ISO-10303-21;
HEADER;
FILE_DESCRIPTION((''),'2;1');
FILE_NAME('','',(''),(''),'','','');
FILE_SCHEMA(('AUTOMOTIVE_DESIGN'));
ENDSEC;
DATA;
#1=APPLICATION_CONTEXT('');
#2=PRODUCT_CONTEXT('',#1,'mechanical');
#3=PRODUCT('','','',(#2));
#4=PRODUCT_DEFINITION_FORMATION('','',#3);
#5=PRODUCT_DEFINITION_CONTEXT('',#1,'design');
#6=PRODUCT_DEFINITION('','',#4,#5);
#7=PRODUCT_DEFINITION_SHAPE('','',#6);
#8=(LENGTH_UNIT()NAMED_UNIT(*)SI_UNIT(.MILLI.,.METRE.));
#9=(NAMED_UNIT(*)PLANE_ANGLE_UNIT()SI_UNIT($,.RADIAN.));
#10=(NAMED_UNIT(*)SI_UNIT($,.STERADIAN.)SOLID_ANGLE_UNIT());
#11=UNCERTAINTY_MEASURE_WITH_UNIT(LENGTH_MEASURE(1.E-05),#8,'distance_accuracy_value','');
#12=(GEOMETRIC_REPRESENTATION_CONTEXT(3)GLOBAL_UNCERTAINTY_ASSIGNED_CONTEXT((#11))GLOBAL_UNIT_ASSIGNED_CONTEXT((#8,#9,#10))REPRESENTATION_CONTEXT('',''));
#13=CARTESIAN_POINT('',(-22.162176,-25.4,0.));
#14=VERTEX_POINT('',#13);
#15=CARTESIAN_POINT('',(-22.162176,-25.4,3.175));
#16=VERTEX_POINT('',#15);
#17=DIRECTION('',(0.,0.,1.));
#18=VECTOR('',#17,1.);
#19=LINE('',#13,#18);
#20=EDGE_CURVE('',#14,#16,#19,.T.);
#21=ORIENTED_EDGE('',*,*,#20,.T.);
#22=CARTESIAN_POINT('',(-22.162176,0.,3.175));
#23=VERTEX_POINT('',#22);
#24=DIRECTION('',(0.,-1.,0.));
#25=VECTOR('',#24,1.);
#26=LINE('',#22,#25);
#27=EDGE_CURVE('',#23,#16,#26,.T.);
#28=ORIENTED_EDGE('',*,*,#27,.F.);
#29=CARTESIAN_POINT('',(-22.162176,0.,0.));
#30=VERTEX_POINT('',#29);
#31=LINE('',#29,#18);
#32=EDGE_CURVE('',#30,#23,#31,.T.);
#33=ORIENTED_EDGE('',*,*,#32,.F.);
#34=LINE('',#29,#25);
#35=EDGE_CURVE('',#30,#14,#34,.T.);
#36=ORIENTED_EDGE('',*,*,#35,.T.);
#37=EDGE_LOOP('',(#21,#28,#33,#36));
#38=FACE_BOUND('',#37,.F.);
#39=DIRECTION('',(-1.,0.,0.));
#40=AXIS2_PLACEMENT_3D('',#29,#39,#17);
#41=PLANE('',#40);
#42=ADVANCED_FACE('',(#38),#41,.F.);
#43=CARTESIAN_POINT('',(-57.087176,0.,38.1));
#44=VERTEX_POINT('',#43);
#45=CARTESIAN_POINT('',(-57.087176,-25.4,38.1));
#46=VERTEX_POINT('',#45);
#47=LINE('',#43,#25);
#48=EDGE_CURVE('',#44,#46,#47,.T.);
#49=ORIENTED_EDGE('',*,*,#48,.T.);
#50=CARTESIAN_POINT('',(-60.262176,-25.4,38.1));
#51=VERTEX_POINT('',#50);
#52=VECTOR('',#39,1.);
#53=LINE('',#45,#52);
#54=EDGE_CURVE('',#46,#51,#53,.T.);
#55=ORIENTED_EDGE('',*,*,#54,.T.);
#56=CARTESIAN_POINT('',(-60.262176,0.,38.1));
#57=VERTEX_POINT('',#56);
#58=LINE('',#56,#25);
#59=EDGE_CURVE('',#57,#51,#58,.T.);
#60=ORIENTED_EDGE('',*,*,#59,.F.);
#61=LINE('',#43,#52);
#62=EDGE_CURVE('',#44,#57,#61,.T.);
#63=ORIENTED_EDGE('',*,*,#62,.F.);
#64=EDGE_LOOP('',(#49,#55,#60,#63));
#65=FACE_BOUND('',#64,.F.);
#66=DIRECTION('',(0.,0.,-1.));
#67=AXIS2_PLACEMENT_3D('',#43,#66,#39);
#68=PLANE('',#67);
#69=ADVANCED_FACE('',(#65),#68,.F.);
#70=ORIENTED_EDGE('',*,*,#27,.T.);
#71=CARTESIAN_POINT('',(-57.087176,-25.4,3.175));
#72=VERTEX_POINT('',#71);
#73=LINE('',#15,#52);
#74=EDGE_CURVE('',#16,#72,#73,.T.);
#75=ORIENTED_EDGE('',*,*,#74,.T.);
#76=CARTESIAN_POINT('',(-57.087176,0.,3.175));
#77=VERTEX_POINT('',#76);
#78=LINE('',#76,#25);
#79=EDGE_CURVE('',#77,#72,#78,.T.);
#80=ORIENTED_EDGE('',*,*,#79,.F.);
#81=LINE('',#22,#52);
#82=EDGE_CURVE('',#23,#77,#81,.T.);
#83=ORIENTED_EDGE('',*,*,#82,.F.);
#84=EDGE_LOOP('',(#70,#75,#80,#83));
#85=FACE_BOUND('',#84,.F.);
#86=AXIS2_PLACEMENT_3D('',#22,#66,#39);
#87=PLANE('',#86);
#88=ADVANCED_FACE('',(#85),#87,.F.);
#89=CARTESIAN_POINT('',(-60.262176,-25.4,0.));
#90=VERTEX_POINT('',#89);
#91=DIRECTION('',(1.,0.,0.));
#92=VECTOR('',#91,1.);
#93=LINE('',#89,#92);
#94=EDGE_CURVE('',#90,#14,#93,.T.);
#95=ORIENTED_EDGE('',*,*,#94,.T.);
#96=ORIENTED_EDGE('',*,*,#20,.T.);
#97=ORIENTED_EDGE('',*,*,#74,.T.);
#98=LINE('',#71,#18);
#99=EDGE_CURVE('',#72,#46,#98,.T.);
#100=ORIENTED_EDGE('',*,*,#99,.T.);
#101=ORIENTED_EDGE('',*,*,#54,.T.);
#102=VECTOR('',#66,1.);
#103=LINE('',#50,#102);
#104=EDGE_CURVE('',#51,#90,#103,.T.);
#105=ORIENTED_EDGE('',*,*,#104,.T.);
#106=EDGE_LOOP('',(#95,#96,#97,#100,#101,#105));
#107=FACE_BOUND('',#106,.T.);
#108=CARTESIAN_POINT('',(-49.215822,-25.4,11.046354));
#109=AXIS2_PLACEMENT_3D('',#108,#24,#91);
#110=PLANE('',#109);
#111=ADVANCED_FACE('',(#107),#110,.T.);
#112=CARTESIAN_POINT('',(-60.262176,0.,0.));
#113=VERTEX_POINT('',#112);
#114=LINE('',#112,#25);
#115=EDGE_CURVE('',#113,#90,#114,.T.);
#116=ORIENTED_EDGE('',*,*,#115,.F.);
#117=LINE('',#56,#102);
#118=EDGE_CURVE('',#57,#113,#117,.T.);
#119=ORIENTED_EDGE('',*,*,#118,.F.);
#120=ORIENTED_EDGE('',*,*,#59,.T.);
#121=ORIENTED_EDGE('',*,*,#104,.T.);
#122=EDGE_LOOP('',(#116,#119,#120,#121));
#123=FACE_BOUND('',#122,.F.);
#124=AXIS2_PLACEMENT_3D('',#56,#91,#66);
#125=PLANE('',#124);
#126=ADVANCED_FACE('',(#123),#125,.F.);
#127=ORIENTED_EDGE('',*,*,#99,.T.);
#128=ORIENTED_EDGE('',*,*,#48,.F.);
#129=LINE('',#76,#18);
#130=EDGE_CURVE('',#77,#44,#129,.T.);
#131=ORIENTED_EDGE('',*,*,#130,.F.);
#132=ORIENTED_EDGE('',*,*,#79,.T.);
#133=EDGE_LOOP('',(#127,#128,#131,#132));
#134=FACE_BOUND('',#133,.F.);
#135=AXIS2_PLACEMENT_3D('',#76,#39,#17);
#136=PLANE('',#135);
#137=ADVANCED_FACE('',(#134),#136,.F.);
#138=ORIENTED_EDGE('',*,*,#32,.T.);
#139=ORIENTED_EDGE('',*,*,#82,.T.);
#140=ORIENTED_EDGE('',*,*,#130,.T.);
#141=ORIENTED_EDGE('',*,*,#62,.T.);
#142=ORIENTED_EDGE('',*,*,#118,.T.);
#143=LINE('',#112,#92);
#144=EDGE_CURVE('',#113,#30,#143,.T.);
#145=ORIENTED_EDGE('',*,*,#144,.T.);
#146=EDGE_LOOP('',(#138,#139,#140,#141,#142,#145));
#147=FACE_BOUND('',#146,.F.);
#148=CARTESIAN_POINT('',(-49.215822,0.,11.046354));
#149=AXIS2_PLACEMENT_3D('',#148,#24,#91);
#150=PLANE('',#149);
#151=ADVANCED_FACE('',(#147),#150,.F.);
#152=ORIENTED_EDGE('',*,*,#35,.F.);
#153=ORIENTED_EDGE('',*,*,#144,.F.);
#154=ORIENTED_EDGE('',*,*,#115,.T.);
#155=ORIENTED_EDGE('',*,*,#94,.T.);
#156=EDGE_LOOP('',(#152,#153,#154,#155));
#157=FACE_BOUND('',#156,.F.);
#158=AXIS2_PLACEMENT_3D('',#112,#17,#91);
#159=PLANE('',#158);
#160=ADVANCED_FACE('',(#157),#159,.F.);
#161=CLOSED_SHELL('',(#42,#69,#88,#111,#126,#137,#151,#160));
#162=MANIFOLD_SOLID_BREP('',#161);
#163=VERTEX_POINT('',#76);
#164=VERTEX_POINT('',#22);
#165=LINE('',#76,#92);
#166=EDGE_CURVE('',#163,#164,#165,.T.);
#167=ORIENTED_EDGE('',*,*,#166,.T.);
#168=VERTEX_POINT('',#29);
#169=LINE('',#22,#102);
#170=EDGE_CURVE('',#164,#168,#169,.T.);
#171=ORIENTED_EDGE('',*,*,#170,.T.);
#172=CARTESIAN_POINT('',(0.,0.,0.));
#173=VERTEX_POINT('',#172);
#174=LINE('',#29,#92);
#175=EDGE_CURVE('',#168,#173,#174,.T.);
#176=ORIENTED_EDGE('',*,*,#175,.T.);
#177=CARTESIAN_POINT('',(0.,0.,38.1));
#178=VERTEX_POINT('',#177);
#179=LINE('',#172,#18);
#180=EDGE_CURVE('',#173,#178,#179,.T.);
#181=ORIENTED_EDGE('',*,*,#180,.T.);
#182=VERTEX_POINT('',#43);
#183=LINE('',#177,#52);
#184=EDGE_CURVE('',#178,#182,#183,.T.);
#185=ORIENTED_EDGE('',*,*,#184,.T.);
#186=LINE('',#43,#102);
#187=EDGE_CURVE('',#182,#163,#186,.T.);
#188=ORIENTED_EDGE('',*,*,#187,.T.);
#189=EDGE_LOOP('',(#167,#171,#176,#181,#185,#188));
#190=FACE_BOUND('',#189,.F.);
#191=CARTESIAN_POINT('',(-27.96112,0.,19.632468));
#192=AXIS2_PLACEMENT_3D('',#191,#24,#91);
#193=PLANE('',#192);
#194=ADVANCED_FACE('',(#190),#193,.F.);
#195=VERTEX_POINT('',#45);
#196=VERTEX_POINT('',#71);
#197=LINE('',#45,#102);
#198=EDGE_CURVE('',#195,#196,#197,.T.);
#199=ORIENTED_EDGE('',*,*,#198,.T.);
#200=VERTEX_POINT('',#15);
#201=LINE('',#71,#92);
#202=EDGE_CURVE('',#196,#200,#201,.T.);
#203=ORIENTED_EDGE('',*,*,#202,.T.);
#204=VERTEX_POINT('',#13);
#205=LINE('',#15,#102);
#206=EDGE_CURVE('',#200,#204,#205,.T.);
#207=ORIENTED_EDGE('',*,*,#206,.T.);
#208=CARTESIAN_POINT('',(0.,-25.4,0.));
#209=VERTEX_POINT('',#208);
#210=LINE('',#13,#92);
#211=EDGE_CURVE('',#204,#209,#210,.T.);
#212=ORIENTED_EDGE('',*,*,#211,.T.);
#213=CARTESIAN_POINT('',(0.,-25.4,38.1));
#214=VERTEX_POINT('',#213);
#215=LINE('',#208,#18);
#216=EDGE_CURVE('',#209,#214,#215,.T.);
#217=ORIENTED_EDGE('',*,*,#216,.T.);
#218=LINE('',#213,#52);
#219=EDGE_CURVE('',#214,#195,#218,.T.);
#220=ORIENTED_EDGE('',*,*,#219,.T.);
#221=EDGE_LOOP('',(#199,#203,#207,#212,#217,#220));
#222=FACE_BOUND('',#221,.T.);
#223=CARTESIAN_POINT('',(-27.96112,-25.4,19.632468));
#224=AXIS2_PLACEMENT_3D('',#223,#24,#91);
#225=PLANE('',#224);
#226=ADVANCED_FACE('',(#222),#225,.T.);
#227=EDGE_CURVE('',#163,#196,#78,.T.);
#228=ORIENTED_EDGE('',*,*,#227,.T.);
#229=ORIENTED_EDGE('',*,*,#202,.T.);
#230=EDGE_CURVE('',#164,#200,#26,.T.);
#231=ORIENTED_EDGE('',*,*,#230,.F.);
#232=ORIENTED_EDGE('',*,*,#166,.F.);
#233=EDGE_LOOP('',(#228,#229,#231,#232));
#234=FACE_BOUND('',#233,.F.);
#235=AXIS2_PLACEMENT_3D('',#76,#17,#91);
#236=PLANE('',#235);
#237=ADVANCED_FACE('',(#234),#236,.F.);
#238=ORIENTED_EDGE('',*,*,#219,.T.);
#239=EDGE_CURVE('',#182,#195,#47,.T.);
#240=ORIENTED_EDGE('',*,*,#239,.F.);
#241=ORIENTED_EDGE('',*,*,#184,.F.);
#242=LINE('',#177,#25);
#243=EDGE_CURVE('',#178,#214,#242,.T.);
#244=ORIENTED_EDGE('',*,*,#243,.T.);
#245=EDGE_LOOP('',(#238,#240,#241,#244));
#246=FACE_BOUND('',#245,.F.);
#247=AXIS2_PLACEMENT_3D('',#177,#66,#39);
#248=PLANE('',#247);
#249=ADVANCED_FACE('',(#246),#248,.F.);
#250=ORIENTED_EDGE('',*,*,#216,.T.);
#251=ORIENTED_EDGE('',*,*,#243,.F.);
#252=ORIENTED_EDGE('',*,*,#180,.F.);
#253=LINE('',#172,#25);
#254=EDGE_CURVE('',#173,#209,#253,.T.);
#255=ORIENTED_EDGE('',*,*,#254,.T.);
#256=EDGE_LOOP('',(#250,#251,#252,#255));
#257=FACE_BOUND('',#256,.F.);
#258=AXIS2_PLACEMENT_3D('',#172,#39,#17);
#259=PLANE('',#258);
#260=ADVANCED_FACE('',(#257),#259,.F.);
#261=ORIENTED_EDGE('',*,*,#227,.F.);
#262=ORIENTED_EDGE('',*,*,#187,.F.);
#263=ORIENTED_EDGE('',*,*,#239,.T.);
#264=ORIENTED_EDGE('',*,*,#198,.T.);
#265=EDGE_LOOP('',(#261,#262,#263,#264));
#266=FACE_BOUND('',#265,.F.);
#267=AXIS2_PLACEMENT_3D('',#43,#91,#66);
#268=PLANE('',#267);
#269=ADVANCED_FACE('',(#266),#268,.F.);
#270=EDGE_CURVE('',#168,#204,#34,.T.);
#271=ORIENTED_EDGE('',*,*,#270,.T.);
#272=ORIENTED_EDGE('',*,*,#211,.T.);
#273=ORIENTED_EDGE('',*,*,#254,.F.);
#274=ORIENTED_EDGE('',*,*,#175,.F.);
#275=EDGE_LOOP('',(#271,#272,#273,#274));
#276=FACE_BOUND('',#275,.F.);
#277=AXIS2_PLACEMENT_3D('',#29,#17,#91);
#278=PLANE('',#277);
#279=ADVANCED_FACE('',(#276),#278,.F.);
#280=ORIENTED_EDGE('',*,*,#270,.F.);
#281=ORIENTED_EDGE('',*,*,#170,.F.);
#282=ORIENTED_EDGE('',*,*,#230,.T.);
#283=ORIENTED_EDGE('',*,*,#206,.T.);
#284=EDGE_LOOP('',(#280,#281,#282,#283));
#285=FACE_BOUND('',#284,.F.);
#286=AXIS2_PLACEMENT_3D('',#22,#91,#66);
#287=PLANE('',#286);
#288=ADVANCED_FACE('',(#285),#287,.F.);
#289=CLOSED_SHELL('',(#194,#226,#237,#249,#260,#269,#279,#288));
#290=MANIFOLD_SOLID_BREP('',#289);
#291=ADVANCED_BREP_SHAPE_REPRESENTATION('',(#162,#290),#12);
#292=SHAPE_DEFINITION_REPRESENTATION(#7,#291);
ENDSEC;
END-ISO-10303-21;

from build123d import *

# Parameters (mm, degrees)
F1_DEPTH = 25.4
F2_DEPTH = 25.4


with BuildPart() as f1:
    # F0 (on Front) → F1 (new body)
    with BuildSketch(Plane.XZ):
        Polygon((-60.262176, 0), (-22.162176, 0), (-22.162176, 3.175), (-57.087176, 3.175), (-57.087176, 38.1), (-60.262176, 38.1), align=None)
    extrude(amount=F1_DEPTH)


with BuildPart() as f2:
    # F0 (on Front) → F2 (new body)
    with BuildSketch(Plane.XZ):
        Polygon((-22.162176, 0), (0, 0), (0, 38.1), (-57.087176, 38.1), (-57.087176, 3.175), (-22.162176, 3.175), align=None)
    extrude(amount=F2_DEPTH)


solid = Compound([f1.part, f2.part])
